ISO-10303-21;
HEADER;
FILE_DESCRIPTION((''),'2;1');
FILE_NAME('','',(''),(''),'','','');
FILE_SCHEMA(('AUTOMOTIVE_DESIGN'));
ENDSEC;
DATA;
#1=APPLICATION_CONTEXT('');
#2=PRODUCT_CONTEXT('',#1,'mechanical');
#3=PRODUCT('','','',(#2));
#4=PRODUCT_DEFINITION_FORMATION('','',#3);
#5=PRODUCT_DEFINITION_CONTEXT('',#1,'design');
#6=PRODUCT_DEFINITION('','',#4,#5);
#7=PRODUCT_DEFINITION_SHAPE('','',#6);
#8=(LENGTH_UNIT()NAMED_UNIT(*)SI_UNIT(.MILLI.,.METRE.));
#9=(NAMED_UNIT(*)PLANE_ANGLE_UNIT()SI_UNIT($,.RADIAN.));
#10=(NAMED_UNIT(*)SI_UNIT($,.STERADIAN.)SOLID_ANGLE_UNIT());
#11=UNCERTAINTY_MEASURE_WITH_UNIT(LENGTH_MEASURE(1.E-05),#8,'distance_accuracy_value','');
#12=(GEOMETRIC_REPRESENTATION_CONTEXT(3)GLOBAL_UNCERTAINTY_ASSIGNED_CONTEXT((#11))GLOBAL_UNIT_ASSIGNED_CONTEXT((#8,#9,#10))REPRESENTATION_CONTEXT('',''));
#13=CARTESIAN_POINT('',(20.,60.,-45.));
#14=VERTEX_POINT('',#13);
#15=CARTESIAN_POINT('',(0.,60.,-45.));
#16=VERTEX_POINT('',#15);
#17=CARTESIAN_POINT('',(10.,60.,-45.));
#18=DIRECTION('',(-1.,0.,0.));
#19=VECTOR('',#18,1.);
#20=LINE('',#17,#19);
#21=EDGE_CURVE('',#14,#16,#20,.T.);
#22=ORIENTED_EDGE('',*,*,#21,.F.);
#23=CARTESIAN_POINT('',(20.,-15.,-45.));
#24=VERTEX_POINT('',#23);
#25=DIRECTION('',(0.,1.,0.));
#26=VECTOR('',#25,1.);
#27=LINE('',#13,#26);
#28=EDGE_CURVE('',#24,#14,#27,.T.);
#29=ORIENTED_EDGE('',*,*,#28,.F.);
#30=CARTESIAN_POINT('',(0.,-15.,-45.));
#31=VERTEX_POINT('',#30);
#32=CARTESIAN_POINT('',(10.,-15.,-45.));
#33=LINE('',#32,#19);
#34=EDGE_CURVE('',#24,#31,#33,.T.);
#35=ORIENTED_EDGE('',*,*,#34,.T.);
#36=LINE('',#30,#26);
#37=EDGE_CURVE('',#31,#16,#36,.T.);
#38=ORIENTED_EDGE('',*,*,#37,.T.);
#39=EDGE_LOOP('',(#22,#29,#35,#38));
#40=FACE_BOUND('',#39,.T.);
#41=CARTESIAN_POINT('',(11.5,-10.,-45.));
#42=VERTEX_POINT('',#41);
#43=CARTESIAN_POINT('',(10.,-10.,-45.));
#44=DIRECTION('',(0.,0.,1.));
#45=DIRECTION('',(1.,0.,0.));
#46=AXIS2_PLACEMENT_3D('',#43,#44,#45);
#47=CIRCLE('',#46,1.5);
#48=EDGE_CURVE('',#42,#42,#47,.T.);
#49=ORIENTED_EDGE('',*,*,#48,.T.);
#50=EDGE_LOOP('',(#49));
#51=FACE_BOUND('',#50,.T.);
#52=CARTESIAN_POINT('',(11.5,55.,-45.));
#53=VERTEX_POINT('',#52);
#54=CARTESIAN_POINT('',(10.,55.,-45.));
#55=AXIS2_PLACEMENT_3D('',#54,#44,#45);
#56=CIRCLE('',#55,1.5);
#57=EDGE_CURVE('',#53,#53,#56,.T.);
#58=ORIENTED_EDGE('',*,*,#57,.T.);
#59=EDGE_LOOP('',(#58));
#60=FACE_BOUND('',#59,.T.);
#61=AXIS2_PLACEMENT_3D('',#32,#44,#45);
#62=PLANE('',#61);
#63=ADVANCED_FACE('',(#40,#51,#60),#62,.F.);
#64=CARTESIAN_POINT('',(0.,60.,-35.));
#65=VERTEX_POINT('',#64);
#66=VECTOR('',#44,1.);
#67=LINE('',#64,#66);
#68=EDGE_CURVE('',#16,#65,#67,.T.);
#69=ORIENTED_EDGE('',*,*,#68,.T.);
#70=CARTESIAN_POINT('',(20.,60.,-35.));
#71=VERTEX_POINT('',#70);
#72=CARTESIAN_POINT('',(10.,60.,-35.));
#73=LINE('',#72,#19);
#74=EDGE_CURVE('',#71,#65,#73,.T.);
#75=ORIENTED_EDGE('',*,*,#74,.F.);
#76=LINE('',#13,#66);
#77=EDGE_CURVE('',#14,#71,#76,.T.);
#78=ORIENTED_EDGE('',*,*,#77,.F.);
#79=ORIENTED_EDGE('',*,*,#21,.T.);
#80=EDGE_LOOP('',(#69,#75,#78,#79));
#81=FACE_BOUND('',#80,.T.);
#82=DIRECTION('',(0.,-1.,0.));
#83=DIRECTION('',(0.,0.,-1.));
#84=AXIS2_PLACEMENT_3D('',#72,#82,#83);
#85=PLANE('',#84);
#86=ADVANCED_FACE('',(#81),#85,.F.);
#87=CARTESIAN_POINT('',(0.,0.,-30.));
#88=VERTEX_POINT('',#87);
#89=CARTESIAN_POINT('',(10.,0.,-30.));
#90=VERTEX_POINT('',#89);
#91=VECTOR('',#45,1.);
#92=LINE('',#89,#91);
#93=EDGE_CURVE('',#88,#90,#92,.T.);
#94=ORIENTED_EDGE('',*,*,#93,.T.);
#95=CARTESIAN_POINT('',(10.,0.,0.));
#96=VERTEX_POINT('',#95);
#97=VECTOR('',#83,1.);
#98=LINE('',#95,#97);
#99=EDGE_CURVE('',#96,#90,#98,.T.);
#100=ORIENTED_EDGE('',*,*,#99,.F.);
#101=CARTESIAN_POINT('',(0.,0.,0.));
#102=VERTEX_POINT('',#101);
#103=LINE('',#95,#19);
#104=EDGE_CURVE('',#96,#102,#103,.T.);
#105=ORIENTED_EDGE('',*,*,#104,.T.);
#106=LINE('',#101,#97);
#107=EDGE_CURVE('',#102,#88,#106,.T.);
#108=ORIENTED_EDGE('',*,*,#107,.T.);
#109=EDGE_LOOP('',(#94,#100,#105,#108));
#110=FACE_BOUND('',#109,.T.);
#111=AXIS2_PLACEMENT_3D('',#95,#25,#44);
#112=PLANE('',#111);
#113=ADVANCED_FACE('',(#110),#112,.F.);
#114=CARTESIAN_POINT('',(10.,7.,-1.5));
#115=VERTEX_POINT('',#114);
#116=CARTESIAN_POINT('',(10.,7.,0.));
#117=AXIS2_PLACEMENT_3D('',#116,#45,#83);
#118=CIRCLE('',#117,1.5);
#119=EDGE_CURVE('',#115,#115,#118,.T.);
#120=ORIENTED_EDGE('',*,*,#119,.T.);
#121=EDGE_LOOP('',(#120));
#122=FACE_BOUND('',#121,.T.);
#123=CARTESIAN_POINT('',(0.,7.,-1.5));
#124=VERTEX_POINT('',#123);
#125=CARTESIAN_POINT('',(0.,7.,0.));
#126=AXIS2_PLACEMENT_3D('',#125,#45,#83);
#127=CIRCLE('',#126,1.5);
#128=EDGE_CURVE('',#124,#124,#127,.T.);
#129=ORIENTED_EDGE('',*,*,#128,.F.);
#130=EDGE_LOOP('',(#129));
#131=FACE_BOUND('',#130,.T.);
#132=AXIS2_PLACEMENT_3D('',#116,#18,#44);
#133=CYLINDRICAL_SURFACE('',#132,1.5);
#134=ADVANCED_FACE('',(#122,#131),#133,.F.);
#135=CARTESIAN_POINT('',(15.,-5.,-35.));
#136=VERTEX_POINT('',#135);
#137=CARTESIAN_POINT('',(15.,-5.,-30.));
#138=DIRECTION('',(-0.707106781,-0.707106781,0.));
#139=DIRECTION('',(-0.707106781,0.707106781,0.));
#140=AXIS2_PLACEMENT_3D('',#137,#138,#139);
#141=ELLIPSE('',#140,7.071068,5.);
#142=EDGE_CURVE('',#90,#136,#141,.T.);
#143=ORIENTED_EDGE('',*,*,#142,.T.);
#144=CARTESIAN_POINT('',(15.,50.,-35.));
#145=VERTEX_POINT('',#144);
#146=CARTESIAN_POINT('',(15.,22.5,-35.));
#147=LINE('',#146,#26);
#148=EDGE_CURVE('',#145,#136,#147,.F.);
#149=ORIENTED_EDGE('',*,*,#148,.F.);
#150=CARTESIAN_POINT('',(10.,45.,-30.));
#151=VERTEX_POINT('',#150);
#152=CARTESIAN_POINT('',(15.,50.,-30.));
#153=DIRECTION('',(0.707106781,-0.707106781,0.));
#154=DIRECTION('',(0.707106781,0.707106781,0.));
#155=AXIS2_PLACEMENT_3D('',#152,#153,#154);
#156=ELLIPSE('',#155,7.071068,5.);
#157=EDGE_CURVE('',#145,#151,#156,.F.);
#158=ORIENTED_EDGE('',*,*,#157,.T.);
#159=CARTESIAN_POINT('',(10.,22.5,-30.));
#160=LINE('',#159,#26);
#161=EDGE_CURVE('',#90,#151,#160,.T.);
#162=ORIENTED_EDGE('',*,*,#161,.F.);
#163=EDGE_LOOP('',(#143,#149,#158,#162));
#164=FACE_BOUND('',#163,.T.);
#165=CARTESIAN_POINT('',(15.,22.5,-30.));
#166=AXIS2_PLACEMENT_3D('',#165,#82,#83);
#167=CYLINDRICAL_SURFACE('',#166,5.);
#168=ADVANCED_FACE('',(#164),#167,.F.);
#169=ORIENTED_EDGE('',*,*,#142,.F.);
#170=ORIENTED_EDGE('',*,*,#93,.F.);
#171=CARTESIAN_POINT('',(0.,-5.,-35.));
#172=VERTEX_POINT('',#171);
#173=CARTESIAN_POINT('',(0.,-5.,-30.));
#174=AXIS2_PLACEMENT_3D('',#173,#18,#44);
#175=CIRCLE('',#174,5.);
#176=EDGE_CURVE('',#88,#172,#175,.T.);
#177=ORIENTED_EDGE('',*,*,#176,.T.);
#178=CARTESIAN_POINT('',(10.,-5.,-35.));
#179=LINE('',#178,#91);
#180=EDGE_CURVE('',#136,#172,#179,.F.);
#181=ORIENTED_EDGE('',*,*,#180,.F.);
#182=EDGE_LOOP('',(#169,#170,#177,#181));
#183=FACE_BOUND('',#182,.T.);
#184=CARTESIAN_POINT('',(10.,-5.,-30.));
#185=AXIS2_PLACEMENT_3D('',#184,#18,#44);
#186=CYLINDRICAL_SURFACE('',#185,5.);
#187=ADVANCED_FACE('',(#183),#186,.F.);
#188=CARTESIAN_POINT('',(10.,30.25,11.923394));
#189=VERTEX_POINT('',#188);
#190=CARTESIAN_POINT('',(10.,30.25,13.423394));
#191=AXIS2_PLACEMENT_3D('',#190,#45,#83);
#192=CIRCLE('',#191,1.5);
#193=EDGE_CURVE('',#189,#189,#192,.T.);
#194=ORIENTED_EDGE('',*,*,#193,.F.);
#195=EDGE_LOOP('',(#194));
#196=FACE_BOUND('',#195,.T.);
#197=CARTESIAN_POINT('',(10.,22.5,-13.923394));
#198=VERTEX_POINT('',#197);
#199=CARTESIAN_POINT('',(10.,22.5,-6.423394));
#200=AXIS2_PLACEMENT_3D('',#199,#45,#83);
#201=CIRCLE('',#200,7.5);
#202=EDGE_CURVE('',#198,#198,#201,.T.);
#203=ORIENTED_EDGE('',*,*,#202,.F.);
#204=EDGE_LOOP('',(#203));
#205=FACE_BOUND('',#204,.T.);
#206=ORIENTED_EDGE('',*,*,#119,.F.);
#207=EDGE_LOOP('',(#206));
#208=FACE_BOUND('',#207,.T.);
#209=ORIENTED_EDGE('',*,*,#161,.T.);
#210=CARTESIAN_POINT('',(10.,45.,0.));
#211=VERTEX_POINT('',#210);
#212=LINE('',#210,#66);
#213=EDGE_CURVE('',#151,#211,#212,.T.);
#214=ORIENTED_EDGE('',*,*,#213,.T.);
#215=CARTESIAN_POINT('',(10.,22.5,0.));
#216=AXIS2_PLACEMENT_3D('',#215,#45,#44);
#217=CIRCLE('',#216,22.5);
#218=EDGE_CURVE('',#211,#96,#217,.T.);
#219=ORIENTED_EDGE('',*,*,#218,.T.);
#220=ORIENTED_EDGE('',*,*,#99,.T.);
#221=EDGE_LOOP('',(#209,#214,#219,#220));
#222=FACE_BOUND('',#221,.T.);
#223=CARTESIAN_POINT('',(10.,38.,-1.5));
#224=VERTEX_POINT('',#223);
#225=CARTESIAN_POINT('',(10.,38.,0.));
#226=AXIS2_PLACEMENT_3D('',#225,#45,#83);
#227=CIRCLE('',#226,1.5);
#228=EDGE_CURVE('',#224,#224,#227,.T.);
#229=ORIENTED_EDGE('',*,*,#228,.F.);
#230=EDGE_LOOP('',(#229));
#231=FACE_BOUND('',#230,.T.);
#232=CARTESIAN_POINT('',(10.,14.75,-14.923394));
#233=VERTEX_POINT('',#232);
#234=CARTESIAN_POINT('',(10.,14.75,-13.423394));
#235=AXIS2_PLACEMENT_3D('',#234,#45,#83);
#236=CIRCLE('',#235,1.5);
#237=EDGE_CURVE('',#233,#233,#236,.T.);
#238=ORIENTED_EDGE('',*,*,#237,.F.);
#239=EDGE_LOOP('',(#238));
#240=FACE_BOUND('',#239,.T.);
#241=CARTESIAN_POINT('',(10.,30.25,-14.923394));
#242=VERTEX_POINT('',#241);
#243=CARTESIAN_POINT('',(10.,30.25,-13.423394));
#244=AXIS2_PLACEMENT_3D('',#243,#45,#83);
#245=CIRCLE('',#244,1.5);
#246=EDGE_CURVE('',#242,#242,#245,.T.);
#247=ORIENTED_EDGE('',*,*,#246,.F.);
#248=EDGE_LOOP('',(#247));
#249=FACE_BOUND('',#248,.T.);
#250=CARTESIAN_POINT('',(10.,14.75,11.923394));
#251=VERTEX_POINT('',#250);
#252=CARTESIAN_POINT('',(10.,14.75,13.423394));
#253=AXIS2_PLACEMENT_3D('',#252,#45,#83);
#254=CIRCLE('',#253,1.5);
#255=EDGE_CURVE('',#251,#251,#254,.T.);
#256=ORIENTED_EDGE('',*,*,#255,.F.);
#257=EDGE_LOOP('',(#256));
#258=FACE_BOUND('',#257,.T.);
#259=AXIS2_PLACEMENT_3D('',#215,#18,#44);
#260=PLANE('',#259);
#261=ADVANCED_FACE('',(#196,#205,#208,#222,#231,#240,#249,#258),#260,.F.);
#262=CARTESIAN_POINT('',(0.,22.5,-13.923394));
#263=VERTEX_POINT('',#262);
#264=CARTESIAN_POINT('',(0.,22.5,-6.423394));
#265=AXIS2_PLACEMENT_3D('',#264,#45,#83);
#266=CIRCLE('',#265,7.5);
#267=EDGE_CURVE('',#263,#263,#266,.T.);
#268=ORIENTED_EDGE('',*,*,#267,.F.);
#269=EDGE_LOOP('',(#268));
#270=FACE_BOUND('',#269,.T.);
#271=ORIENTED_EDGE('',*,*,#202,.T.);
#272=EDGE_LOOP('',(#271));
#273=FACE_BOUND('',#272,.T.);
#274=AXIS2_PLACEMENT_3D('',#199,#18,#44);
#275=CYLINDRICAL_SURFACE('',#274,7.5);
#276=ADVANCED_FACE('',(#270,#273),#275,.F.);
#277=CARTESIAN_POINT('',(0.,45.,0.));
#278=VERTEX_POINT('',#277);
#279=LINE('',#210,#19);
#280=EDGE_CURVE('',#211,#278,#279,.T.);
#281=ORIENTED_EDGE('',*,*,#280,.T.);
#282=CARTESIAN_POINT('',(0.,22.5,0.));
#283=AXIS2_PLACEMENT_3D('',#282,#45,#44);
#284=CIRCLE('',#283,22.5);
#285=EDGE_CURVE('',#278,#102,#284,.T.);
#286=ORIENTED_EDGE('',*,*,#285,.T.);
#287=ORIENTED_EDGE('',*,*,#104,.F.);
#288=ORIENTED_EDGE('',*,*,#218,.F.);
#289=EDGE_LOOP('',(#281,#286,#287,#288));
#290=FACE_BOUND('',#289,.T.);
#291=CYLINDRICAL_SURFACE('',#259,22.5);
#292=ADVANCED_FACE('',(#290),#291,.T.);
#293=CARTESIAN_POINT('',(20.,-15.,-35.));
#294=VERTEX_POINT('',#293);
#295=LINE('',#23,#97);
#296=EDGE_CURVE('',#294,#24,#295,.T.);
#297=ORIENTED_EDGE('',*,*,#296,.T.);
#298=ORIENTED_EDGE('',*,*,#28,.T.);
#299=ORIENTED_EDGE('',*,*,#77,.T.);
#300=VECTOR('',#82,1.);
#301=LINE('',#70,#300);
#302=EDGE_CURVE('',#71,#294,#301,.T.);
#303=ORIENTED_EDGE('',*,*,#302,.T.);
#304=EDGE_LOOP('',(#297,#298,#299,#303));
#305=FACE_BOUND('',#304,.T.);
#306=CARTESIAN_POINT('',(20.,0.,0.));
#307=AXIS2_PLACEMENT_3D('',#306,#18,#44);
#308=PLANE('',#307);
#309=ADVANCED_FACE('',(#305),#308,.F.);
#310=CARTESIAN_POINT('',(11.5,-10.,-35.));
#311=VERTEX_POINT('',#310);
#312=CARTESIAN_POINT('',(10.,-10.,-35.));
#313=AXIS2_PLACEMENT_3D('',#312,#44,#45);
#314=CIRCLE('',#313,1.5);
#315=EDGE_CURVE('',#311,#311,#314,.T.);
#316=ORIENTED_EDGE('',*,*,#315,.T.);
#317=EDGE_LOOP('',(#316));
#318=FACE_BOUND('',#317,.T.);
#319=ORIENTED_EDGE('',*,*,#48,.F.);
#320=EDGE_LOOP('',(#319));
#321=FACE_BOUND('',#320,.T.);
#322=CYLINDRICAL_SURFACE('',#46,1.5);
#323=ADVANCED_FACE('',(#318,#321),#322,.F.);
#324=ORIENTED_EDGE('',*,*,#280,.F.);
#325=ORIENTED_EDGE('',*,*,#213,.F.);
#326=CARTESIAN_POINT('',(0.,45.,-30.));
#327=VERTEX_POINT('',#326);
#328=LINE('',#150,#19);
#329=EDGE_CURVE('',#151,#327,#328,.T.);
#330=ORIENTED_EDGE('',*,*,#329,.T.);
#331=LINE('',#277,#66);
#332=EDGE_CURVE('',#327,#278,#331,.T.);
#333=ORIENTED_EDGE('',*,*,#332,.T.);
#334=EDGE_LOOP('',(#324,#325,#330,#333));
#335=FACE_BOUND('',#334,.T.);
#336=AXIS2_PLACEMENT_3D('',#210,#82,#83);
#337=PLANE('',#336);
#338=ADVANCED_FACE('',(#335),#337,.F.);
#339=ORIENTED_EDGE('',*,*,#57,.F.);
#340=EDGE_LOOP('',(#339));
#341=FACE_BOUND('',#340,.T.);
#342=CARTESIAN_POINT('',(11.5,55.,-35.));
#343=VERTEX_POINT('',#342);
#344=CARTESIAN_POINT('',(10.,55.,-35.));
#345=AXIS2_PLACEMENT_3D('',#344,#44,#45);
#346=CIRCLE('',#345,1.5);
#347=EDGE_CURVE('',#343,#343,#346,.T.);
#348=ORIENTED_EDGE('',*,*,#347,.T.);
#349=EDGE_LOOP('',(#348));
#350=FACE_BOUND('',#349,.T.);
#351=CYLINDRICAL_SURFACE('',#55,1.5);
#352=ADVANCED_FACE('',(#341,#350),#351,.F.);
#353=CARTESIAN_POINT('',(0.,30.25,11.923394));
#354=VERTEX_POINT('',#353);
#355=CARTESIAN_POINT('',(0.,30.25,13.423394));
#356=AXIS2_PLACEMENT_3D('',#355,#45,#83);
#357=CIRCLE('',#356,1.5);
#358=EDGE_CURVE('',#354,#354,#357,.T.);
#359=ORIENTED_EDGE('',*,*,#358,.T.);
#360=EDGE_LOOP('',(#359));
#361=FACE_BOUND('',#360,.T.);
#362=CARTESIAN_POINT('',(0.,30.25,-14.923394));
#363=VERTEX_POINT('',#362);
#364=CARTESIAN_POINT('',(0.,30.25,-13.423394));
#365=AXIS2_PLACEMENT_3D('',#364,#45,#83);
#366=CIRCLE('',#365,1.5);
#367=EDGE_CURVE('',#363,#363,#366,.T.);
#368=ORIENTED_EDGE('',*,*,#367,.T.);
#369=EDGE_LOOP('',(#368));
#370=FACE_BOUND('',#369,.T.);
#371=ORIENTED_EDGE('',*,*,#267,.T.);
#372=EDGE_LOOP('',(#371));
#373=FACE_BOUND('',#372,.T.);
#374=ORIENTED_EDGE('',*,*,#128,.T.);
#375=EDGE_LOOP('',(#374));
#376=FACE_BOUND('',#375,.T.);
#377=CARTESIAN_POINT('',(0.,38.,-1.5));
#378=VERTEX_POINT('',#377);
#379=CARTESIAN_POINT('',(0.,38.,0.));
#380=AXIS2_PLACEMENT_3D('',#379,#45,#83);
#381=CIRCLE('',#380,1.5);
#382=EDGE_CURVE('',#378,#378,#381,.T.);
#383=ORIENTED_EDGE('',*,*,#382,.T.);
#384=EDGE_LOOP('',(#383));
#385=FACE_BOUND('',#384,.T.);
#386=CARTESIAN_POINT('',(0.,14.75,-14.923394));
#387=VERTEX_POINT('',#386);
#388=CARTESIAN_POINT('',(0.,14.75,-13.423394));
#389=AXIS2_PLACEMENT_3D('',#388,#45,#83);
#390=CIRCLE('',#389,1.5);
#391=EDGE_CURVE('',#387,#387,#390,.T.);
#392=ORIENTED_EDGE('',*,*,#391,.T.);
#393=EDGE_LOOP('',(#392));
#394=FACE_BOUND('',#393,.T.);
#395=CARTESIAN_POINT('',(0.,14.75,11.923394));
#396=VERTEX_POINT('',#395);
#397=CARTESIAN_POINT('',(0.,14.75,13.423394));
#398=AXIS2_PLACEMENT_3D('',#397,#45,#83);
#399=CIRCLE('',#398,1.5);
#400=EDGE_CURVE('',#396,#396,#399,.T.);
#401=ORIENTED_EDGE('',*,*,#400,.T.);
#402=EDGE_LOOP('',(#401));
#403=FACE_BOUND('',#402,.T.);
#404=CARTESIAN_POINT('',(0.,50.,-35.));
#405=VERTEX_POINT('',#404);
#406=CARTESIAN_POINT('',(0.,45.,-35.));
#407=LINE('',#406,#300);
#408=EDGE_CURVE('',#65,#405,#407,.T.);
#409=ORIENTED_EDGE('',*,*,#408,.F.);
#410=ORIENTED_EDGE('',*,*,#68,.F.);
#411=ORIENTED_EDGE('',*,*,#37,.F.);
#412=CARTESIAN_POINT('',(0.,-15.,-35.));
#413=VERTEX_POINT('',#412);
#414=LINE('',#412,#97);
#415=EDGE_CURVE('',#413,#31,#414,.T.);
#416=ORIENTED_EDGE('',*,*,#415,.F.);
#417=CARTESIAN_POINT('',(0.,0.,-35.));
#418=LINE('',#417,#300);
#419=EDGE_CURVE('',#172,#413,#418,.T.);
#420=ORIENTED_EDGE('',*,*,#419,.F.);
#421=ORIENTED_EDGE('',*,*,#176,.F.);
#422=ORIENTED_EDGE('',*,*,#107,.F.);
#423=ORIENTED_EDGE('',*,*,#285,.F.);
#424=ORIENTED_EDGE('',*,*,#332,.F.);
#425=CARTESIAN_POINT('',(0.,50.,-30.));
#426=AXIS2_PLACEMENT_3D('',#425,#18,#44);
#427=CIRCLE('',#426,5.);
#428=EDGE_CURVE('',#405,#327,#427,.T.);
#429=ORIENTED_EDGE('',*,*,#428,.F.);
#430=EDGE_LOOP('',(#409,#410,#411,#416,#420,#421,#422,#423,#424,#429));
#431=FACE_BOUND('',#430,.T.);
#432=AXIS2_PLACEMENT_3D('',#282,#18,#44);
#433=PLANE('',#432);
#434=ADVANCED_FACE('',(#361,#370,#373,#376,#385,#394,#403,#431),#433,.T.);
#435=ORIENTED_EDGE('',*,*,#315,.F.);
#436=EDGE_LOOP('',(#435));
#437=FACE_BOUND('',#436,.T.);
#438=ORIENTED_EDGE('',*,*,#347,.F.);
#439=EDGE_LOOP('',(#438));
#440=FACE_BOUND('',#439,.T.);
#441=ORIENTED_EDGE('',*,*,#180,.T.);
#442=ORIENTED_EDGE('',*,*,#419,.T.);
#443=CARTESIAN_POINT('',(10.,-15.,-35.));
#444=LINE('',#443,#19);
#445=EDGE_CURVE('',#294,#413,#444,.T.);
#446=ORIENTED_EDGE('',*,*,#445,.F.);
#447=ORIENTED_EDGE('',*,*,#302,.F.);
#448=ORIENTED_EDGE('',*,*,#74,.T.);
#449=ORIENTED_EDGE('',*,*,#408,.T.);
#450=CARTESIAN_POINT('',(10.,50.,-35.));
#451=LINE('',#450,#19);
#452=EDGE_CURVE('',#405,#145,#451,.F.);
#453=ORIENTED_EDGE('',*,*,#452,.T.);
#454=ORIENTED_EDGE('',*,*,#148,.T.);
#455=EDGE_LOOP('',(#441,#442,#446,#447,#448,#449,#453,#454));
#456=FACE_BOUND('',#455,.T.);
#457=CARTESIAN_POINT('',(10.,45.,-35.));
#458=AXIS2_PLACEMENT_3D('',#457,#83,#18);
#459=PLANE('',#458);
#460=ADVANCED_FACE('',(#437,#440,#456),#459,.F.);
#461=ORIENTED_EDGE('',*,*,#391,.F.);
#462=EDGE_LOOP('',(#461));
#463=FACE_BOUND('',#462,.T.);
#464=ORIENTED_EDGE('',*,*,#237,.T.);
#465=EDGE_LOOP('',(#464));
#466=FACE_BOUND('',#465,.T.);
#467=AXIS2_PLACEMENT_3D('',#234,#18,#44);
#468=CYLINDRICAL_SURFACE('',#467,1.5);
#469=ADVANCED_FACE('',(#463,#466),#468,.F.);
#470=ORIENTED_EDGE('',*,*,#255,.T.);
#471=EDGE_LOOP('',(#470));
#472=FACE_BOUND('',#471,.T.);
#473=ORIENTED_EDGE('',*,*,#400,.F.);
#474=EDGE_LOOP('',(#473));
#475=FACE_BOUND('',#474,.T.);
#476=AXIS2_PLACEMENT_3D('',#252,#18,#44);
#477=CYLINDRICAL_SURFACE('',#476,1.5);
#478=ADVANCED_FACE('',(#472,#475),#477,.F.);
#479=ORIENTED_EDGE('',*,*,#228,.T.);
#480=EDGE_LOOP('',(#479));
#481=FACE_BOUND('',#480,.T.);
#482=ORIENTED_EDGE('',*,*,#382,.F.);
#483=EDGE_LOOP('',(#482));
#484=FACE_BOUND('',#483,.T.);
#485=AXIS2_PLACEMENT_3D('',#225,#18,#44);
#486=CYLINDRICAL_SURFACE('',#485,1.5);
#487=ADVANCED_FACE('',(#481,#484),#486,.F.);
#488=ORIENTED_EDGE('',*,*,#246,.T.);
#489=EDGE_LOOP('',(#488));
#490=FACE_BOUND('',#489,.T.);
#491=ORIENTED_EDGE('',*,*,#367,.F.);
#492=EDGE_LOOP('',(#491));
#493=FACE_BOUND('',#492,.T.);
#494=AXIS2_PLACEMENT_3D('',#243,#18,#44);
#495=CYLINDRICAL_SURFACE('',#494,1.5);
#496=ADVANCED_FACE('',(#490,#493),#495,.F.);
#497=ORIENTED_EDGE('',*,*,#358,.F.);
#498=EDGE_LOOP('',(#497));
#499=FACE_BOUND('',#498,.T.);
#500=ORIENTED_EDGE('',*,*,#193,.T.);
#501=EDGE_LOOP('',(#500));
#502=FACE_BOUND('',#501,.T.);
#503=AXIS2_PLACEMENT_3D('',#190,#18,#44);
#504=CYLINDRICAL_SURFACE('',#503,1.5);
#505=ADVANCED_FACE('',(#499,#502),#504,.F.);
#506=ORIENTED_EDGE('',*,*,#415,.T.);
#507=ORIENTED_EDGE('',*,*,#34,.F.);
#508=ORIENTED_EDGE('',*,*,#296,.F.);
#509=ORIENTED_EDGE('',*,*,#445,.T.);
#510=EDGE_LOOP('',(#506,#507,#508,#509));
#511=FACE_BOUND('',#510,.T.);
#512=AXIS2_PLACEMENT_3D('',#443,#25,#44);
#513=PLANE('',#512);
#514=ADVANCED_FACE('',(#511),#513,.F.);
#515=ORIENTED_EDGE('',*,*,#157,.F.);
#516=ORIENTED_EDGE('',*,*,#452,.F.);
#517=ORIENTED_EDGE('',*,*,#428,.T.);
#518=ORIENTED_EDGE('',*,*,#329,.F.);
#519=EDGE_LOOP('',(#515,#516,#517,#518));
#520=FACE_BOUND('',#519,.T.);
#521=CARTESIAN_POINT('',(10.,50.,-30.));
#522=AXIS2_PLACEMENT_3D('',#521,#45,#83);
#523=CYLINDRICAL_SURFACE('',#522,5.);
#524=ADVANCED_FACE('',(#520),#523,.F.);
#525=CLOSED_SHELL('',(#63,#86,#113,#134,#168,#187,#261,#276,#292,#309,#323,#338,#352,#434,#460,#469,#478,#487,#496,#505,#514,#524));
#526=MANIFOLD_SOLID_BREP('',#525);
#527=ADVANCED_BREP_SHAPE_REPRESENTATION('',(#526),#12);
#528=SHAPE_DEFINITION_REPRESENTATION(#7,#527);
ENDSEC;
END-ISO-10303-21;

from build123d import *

# Parameters (mm, degrees)
SKETCH1_R           = 7.5
SKETCH1_R_2         = 1.5
BOSS_EXTRUDE1_DEPTH = 10
FILLET1_R           = 5
FILLET2_R           = 5
SKETCH2_W           = 10
SKETCH2_H           = 75
BOSS_EXTRUDE2_DEPTH = 10
FILLET3_R           = 5
SKETCH3_R           = 1.5
CUT_EXTRUDE1_DEPTH  = 10


with BuildPart() as part:
    # Sketch1 → Boss-Extrude1 (new body)
    with BuildSketch(Plane(origin=(0, 0, 0), x_dir=(0, 0, -1), z_dir=(1, 0, 0))):
        with BuildLine():
            Line((0, 0), (35, 0))
            Line((35, 0), (35, -15))
            Line((35, -15), (45, -15))
            Line((45, -15), (45, 60))
            Line((45, 60), (35, 60))
            Line((35, 60), (35, 45))
            Line((35, 45), (0, 45))
            ThreePointArc((0, 45), (-22.5, 22.5), (0, 0))
        make_face()
        with Locations((6.423393759, 22.5)):
            Circle(SKETCH1_R, mode=Mode.SUBTRACT)
        with Locations((13.423393759, 30.25)):
            Circle(SKETCH1_R_2, mode=Mode.SUBTRACT)
        with Locations((0, 38)):
            Circle(SKETCH1_R_2, mode=Mode.SUBTRACT)
        with Locations((-13.423393759, 30.25)):
            Circle(SKETCH1_R_2, mode=Mode.SUBTRACT)
        with Locations((-13.423393759, 14.75)):
            Circle(SKETCH1_R_2, mode=Mode.SUBTRACT)
        with Locations((0, 7)):
            Circle(SKETCH1_R_2, mode=Mode.SUBTRACT)
        with Locations((13.423393759, 14.75)):
            Circle(SKETCH1_R_2, mode=Mode.SUBTRACT)
    extrude(amount=BOSS_EXTRUDE1_DEPTH)

    # Fillet1
    fillet1_edges = [part.edges().sort_by_distance(p)[0] for p in [
        (5, 45, -35),
    ]]
    fillet(fillet1_edges, radius=FILLET1_R)

    # Fillet2
    fillet2_edges = [part.edges().sort_by_distance(p)[0] for p in [
        (5, 0, -35),
    ]]
    fillet(fillet2_edges, radius=FILLET2_R)

    # Sketch2 → Boss-Extrude2 (add)
    with BuildSketch(Plane(origin=(10, 0, 0), x_dir=(0, 0, -1), z_dir=(1, 0, 0))):
        with Locations((40, 22.5)):
            Rectangle(SKETCH2_W, SKETCH2_H)
    extrude(amount=BOSS_EXTRUDE2_DEPTH)

    # Fillet3
    fillet3_edges = [part.edges().sort_by_distance(p)[0] for p in [
        (10, 22.5, -35),
    ]]
    fillet(fillet3_edges, radius=FILLET3_R)

    # Sketch3 → Cut-Extrude1 (cut)
    with BuildSketch(Plane.XY.offset(-35)):
        with Locations((10, -10)):
            Circle(SKETCH3_R)
        with Locations((10, 55)):
            Circle(SKETCH3_R)
    extrude(amount=-CUT_EXTRUDE1_DEPTH, mode=Mode.SUBTRACT)


solid = part.part
